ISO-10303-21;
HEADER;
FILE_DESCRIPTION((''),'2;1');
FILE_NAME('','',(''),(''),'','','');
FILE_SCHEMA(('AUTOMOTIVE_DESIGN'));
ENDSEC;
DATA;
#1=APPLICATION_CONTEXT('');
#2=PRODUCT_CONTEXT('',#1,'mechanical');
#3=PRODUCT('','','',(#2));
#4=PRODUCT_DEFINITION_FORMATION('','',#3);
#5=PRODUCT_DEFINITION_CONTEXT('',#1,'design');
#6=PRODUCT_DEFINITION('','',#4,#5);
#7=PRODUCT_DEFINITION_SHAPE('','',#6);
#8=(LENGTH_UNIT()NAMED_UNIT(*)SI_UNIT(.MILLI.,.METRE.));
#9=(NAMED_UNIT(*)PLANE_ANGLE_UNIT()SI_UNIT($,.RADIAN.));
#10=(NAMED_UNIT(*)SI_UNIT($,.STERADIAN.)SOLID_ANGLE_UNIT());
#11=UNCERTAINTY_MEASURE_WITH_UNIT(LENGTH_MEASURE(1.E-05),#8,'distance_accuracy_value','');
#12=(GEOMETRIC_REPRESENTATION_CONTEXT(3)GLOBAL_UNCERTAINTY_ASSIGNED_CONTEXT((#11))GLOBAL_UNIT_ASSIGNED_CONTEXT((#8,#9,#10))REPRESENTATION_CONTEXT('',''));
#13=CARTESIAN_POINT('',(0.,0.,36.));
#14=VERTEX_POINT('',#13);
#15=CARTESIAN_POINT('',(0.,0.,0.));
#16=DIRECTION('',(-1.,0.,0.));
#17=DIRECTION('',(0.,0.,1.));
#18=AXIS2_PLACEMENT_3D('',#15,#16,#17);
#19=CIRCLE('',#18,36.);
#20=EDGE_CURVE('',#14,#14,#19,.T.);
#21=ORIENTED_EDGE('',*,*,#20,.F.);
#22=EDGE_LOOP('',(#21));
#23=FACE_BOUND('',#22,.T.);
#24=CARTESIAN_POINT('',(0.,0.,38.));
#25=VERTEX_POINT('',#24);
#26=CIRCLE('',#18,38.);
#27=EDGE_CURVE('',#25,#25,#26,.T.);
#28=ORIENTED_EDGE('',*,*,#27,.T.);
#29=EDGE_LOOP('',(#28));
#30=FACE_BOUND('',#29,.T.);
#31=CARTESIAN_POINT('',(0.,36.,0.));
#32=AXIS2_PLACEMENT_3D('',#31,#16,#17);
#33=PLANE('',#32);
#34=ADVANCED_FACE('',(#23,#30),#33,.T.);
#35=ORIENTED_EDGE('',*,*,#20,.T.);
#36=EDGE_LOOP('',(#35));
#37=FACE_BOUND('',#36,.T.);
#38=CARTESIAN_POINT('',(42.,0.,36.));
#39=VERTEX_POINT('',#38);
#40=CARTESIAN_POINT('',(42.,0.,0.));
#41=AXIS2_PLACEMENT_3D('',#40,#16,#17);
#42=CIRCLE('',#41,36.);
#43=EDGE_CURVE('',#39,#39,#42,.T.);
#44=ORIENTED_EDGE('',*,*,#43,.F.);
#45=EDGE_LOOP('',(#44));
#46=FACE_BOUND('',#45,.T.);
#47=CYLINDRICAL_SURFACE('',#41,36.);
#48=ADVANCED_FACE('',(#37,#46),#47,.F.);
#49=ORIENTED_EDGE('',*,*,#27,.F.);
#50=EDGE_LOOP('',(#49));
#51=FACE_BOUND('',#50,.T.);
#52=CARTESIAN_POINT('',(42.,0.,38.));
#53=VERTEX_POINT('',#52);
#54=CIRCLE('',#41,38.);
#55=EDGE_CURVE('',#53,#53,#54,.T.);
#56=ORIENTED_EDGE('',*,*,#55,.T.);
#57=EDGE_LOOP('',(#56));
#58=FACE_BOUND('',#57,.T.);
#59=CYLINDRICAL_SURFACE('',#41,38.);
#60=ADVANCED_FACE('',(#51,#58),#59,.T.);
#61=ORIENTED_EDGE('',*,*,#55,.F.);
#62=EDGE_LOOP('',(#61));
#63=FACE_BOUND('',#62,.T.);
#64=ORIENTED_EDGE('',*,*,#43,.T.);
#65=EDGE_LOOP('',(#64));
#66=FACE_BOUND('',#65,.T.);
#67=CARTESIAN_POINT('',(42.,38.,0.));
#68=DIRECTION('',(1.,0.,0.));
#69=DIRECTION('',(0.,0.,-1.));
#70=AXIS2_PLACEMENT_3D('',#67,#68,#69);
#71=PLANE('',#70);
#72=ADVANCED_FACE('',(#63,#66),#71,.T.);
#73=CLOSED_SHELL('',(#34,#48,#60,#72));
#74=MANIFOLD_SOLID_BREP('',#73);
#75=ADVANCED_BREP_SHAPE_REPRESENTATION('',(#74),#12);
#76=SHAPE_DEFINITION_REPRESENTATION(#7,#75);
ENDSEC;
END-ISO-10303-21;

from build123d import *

# Parameters (mm, degrees)
ESQUISSE1_W = 42
ESQUISSE1_H = 2


with BuildPart() as part:
    # Esquisse1 → Révolution1 (revolve)
    with BuildSketch(Plane(origin=(0, 0, 0), x_dir=(-1, 0, 0), z_dir=(0, 0, -1)), mode=Mode.PRIVATE) as r_volution1_sk:
        with Locations((-21, 37)):
            Rectangle(ESQUISSE1_W, ESQUISSE1_H)
    revolve(r_volution1_sk.sketch.rotate(Axis((42, 0, 0), (-1, 0, 0)), 270), axis=Axis((42, 0, 0), (-1, 0, 0)))


solid = part.part
